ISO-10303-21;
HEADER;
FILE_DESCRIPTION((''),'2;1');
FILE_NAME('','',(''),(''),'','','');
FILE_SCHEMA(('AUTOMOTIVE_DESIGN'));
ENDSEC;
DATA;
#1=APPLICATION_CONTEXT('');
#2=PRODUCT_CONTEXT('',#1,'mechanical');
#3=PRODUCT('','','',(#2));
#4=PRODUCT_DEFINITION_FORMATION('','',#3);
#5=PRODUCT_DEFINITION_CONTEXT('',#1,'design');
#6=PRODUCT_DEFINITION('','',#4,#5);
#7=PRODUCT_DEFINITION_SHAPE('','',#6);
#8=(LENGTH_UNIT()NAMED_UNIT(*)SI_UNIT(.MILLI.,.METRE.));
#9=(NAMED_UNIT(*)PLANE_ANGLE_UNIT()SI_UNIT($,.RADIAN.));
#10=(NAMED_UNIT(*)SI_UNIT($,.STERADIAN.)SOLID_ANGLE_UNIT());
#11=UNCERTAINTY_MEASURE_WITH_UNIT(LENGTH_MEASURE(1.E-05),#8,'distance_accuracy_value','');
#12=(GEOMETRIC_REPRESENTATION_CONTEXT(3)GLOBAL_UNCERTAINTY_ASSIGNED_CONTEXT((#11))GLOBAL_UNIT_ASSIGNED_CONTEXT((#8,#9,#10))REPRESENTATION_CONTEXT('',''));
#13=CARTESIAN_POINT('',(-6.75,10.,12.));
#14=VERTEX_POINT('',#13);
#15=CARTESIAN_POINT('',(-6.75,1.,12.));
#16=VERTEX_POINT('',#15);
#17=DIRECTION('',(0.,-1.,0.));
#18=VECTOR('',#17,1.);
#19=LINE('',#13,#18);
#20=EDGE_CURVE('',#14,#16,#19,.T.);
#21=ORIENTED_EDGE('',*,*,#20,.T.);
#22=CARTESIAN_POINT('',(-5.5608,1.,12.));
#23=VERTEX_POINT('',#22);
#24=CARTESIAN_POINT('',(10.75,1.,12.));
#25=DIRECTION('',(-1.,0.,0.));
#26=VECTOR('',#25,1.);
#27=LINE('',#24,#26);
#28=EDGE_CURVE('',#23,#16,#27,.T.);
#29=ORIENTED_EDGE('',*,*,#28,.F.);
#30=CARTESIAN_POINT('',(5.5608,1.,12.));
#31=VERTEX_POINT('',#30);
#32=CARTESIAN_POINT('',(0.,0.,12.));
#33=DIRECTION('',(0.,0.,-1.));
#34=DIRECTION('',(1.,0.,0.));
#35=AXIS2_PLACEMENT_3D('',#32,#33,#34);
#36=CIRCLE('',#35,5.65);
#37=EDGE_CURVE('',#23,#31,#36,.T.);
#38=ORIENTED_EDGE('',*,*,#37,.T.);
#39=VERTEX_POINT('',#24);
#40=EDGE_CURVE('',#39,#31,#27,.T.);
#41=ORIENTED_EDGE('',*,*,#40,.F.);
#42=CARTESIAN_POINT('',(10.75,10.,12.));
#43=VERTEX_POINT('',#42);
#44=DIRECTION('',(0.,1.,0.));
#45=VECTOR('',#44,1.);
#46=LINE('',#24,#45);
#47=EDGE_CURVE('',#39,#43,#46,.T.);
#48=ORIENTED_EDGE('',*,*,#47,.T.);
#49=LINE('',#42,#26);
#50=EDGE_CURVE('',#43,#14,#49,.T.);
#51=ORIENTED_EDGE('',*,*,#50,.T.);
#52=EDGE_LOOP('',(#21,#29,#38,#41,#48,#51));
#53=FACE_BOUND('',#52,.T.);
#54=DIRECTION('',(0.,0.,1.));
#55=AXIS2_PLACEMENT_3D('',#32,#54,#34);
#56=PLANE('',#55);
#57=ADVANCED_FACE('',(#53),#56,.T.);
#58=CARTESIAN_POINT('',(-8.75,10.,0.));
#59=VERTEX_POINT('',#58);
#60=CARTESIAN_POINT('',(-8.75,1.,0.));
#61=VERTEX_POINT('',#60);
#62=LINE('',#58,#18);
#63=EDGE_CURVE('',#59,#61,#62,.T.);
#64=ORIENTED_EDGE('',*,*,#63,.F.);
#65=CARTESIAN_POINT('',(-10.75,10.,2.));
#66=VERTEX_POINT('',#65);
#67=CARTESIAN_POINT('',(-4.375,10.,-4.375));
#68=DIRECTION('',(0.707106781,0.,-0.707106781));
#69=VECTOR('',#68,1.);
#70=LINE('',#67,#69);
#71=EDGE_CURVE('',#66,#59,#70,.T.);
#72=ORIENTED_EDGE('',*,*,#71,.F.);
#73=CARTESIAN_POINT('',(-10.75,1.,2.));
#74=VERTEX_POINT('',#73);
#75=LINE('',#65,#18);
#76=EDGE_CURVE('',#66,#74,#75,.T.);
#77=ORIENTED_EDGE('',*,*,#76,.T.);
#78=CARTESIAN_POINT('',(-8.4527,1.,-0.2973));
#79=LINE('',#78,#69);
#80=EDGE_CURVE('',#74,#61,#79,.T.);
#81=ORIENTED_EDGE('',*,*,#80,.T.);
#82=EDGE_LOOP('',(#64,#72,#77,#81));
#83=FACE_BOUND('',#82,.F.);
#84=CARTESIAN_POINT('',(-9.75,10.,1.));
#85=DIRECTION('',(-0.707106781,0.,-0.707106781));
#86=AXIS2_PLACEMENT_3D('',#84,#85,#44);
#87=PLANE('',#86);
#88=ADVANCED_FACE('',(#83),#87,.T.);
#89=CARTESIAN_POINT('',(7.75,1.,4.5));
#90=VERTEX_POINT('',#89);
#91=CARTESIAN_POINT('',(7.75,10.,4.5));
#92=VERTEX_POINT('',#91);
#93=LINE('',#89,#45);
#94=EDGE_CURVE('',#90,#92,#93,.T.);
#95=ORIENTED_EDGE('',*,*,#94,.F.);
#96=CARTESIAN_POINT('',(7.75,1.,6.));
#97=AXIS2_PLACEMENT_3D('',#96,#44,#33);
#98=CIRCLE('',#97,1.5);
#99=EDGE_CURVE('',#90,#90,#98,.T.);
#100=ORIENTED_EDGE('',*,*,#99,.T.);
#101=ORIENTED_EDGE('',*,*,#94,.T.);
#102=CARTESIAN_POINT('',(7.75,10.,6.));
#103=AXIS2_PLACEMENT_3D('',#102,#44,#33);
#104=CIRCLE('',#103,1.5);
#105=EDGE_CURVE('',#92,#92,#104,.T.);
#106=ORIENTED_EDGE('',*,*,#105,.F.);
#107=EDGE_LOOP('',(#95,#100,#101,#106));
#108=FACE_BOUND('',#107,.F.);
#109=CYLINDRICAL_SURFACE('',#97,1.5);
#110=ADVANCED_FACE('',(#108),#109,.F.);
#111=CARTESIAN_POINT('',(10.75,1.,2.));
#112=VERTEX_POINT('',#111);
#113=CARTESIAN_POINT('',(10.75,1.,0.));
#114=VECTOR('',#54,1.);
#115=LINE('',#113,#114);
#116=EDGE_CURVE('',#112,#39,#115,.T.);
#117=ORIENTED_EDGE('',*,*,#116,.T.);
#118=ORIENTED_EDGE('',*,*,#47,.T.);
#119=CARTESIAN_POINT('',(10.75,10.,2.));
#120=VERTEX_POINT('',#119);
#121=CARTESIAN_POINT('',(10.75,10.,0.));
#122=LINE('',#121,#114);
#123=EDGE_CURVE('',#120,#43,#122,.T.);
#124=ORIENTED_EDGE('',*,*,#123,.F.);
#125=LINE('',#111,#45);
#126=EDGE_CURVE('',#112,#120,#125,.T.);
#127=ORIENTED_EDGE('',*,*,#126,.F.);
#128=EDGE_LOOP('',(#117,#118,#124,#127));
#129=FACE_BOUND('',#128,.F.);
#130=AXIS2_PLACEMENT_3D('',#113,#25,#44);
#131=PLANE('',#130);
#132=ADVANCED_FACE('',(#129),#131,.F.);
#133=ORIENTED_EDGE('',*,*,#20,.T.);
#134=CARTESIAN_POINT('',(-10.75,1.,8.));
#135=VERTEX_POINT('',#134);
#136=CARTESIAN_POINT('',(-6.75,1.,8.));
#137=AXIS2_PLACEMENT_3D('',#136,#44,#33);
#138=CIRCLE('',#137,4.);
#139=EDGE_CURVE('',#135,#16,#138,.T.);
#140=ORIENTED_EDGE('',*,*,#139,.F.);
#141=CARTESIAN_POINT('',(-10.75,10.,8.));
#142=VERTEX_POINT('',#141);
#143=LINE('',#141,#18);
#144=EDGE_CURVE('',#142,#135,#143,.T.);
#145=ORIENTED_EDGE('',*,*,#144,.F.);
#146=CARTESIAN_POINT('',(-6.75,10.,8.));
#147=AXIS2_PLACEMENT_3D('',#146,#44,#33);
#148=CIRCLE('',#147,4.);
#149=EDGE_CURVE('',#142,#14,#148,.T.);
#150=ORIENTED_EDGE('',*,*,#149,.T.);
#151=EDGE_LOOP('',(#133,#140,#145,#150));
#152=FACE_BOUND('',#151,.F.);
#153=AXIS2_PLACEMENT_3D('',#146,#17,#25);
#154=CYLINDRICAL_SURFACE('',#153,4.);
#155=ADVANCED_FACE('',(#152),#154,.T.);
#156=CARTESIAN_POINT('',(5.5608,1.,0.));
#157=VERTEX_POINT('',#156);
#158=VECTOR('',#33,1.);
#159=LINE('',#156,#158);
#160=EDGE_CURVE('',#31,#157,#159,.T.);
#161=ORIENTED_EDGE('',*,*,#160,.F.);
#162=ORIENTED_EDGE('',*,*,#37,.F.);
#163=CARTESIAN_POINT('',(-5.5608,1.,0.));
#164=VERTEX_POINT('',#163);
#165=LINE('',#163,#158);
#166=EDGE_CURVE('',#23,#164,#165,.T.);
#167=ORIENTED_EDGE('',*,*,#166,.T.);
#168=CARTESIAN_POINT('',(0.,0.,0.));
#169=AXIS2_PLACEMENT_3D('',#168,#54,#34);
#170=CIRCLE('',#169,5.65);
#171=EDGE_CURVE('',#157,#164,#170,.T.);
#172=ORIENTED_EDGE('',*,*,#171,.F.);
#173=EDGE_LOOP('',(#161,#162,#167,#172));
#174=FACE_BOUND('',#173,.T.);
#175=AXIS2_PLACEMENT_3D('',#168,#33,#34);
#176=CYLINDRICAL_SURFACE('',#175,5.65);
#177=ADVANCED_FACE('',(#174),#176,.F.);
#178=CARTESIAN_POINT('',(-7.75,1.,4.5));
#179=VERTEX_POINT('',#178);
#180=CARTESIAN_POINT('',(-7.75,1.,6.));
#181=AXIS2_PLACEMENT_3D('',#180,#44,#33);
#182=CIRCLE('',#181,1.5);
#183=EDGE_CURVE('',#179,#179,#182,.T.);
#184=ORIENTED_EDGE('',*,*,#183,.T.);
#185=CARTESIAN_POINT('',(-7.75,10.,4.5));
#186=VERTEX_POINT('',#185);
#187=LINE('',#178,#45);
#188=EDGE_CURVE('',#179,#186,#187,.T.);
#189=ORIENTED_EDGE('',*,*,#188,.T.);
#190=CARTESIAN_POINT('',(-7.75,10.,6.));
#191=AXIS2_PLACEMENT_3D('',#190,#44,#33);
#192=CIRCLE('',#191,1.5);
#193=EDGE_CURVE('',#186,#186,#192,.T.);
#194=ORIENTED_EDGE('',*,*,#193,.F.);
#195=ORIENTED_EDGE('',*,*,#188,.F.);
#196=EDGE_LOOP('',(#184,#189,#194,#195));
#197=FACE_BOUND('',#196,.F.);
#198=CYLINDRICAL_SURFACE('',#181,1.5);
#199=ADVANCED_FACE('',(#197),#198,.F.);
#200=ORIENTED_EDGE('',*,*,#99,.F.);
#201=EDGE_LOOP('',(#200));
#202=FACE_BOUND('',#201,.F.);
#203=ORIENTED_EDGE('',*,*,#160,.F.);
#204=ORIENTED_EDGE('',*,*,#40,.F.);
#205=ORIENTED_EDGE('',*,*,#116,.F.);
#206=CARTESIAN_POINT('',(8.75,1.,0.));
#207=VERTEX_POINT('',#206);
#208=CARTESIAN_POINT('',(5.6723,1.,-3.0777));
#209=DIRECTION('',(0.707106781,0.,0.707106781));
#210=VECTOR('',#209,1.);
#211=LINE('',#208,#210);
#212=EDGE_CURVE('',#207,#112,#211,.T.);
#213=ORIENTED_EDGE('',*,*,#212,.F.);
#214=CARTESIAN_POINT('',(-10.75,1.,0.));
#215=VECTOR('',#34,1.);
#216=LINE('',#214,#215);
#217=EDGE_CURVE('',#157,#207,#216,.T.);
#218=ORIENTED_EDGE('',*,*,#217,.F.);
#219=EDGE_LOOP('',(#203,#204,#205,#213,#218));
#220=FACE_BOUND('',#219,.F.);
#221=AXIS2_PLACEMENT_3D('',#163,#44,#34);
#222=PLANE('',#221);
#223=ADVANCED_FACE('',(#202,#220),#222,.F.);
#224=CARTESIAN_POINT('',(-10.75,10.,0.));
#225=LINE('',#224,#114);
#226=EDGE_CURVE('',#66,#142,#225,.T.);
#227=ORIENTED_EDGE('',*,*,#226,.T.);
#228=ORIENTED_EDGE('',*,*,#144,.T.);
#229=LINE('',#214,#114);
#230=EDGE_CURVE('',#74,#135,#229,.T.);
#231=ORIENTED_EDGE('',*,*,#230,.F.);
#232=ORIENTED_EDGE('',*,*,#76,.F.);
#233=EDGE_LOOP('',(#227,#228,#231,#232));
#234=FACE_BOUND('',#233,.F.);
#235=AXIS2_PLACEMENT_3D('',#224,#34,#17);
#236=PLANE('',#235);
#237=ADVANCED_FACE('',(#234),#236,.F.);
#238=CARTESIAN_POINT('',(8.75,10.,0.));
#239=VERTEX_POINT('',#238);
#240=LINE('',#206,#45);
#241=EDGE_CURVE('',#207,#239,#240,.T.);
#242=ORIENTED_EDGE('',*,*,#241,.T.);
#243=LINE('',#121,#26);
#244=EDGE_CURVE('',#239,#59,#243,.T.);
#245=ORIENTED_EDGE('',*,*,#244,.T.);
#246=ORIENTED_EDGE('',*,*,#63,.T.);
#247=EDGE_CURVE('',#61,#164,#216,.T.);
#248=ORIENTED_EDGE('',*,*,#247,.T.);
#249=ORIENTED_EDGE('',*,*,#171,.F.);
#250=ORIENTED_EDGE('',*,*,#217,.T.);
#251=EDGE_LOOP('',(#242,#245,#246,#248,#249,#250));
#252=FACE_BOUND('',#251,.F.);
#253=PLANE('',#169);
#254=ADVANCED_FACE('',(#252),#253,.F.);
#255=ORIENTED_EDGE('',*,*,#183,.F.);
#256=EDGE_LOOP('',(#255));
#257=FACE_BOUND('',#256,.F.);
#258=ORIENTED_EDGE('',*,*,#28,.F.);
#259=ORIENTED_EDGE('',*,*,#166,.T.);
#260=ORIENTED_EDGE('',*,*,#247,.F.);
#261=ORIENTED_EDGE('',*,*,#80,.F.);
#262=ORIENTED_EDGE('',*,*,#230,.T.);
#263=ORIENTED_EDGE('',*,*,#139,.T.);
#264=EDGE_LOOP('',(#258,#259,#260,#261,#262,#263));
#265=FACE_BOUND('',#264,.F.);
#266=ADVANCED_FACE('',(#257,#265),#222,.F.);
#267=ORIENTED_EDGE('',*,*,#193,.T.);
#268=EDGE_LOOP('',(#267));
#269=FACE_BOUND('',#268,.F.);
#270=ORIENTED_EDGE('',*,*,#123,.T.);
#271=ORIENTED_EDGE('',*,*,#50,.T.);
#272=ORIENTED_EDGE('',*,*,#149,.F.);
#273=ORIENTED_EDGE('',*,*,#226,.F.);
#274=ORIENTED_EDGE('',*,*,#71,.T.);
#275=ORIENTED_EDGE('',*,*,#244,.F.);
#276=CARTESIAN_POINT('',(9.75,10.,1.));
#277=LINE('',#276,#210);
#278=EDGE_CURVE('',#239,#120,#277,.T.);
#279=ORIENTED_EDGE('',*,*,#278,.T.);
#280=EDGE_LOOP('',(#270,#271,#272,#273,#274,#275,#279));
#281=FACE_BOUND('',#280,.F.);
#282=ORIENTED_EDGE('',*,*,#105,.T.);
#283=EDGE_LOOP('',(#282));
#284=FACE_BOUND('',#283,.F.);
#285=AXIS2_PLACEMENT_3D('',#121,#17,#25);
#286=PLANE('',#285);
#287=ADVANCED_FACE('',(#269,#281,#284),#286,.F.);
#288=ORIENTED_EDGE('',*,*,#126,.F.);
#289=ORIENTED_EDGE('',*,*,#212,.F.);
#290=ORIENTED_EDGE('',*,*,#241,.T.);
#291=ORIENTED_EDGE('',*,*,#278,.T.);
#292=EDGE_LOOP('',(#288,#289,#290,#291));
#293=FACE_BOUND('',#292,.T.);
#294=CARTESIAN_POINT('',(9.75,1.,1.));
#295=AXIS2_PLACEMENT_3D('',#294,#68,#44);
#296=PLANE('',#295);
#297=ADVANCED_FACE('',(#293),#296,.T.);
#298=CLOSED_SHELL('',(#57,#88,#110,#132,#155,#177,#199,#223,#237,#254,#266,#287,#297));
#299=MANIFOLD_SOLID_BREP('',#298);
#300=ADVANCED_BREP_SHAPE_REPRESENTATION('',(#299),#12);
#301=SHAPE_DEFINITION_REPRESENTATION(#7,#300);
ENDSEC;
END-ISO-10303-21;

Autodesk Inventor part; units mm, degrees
ref_plane "YZ Plane" through (0, 0, 0) normal (1, 0, 0) x (0, 1, 0)
ref_plane "XZ Plane" through (0, 0, 0) normal (0, 1, 0) x (-1, 0, 0)
ref_plane "XY Plane" through (0, 0, 0) normal (0, 0, 1) x (1, 0, 0)
sketch "Szkic1" plane through (0, 0, 0) normal (0, 0, 1) x (1, 0, 0)
  circle A0 centre (0, 0) radius 5.65
  line L0 (-10.75, 1) -> (10.75, 1)
  line L1 (10.75, 1) -> (10.75, 10)
  line L2 (10.75, 10) -> (-10.75, 10)
  line L3 (-10.75, 10) -> (-10.75, 1)
  dimension "d0" = 11.3
  dimension "d1" = 21.5
  dimension "d2" = 10.75
  dimension "d3" = 1
  dimension "d4" = 9
extrude "Wyciągnięcie proste1" add sketch "Szkic1" along normal blind 12 contours L0 A0 | A0 L0 L3 L2 L1 picked at (1.0817, 2.5289)
extrude "Wyciągnięcie proste2" cut sketch "Szkic1" along normal blind 12 contours A0 L0 | L0 A0
sketch "Szkic2" plane through (10.75, 1, 0) normal (0, -1, 0) x (1, 0, 0)
  line L0 (-5.1892, 12) -> (-5.1892, 0) projected
  line L1 (-5.1892, 0) -> (0, 0) projected
  line L2 (0, 0) -> (0, 12) projected
  line L3 (-5.1892, 12) -> (0, 12) projected
  line L4 (-16.3108, 0) -> (-16.3108, 12) projected
  line L5 (-21.5, 12) -> (-16.3108, 12) projected
  line L6 (-21.5, 0) -> (-21.5, 12) projected
  line L7 (-21.5, 0) -> (-16.3108, 0) projected
  point P0 (-10.75, 0)
  point P1 (-3, 6)
  point P2 (-18.5, 6)
  dimension "d9" = 12
  dimension "d10" = 5.1892
  dimension "d11" = 3
  dimension "d12" = 6
  dimension "d13" = 6
  dimension "d14" = 3
hole "Otwór1" at (7.75, 1, 6) at (-7.75, 1, 6) direction (0, 1, 0) diameter 3 end through all
fillet "Zaokrąglenie1" radius 4 1 edges at (-10.75, 5.5, 12)
chamfer "Faza1" distance 2 angle 45 2 edges at (-10.75, 5.5, 0) (10.75, 5.5, 0)
equation "\"d2\" = 0.5 * d1"
equation "\"d12\" = 0.5 * d9"
equation "\"d13\" = d12"
equation "\"d14\" = d11"
properties part number "3DP_ABS_Induction_Sensor_Mounting_Clamp"
